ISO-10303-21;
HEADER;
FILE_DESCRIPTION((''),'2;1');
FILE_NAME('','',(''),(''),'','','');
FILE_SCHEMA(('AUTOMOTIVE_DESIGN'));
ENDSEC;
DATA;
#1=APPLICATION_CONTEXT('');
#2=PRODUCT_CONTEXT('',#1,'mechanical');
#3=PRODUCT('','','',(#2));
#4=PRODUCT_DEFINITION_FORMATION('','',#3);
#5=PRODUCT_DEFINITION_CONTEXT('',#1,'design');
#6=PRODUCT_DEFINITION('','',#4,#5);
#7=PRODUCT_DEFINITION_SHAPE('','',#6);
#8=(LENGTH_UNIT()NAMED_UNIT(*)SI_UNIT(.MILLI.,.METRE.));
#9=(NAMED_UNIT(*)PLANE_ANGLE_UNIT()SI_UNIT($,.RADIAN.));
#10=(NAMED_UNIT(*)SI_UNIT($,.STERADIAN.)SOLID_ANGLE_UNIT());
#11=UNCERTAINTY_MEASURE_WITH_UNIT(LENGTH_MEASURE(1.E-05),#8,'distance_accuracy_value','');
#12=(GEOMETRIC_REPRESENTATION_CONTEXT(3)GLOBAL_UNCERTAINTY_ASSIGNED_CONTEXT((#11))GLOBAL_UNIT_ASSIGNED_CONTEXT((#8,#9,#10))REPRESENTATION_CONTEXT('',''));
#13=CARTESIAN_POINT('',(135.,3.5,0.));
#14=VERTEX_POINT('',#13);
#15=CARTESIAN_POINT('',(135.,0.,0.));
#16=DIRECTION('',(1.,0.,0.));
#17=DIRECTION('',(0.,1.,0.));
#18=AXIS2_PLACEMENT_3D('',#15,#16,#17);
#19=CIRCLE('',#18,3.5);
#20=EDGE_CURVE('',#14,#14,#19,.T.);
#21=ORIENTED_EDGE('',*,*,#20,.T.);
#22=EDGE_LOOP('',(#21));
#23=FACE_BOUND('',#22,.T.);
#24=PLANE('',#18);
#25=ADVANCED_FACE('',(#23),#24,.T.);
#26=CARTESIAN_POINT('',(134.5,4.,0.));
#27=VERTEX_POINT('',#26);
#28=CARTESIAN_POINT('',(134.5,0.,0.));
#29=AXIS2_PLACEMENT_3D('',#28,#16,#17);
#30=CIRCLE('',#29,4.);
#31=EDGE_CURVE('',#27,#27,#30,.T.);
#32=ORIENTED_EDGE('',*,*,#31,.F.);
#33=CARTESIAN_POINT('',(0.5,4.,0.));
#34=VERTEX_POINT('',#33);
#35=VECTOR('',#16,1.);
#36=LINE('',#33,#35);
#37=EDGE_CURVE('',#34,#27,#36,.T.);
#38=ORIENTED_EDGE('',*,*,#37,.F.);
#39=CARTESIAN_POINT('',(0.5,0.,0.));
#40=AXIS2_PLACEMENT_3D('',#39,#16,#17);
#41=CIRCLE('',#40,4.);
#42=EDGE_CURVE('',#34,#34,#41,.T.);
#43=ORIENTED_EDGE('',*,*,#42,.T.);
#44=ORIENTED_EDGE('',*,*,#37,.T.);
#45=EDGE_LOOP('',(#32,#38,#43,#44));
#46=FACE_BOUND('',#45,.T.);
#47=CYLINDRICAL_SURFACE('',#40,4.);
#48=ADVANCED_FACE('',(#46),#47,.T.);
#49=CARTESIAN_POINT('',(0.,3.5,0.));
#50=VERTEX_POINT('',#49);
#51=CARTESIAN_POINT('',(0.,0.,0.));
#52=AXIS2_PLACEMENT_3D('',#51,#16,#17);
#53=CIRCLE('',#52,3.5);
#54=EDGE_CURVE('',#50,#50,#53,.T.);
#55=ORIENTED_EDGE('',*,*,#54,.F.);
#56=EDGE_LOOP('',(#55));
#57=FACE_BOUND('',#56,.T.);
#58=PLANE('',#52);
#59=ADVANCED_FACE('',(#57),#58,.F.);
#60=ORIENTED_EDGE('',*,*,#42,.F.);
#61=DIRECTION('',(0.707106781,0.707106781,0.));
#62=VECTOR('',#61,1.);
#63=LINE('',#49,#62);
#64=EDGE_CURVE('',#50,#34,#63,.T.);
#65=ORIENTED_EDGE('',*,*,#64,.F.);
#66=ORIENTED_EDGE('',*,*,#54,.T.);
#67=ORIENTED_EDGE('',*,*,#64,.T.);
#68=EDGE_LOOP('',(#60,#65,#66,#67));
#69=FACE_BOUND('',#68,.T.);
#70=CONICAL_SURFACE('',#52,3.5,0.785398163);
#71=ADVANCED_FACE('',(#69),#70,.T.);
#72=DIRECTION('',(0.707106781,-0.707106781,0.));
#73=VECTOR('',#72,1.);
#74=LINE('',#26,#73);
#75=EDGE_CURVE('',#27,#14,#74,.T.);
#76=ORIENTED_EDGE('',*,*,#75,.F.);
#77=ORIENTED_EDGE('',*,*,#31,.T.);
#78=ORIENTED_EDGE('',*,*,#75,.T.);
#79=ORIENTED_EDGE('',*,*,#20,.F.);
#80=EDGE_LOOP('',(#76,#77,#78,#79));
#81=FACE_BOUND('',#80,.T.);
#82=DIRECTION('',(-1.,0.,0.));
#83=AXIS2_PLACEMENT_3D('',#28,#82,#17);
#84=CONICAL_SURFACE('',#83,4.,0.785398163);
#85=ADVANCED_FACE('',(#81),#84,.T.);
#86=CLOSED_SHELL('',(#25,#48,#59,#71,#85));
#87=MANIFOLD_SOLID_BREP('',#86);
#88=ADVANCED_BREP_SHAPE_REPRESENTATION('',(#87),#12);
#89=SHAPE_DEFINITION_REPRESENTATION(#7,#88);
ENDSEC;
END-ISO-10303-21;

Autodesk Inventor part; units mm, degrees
ref_plane "YZ Plane" through (0, 0, 0) normal (1, 0, 0) x (0, 1, 0)
ref_plane "XZ Plane" through (0, 0, 0) normal (0, 1, 0) x (-1, 0, 0)
ref_plane "XY Plane" through (0, 0, 0) normal (0, 0, 1) x (1, 0, 0)
sketch "Sketch_1" plane through (0, 0, 0) normal (0, 0, 1) x (1, 0, 0)
  line L0 (135, 0) -> (0, 0)
  line L1 (0, 0) -> (0, 3.5)
  line L2 (0, 3.5) -> (0.5, 4)
  line L3 (0.5, 4) -> (134.5, 4)
  line L4 (134.5, 4) -> (135, 3.5)
  line L5 (135, 3.5) -> (135, 0)
  line L6 (135, 0) -> (0, 0)
revolve "Revolution1" add sketch "Sketch_1" angle 360 about axis through (135, 0, 0) along (1, 0, 0)
properties part number "AETTF8-135-M3-N3" material "アルミニウム 2014-T4"
